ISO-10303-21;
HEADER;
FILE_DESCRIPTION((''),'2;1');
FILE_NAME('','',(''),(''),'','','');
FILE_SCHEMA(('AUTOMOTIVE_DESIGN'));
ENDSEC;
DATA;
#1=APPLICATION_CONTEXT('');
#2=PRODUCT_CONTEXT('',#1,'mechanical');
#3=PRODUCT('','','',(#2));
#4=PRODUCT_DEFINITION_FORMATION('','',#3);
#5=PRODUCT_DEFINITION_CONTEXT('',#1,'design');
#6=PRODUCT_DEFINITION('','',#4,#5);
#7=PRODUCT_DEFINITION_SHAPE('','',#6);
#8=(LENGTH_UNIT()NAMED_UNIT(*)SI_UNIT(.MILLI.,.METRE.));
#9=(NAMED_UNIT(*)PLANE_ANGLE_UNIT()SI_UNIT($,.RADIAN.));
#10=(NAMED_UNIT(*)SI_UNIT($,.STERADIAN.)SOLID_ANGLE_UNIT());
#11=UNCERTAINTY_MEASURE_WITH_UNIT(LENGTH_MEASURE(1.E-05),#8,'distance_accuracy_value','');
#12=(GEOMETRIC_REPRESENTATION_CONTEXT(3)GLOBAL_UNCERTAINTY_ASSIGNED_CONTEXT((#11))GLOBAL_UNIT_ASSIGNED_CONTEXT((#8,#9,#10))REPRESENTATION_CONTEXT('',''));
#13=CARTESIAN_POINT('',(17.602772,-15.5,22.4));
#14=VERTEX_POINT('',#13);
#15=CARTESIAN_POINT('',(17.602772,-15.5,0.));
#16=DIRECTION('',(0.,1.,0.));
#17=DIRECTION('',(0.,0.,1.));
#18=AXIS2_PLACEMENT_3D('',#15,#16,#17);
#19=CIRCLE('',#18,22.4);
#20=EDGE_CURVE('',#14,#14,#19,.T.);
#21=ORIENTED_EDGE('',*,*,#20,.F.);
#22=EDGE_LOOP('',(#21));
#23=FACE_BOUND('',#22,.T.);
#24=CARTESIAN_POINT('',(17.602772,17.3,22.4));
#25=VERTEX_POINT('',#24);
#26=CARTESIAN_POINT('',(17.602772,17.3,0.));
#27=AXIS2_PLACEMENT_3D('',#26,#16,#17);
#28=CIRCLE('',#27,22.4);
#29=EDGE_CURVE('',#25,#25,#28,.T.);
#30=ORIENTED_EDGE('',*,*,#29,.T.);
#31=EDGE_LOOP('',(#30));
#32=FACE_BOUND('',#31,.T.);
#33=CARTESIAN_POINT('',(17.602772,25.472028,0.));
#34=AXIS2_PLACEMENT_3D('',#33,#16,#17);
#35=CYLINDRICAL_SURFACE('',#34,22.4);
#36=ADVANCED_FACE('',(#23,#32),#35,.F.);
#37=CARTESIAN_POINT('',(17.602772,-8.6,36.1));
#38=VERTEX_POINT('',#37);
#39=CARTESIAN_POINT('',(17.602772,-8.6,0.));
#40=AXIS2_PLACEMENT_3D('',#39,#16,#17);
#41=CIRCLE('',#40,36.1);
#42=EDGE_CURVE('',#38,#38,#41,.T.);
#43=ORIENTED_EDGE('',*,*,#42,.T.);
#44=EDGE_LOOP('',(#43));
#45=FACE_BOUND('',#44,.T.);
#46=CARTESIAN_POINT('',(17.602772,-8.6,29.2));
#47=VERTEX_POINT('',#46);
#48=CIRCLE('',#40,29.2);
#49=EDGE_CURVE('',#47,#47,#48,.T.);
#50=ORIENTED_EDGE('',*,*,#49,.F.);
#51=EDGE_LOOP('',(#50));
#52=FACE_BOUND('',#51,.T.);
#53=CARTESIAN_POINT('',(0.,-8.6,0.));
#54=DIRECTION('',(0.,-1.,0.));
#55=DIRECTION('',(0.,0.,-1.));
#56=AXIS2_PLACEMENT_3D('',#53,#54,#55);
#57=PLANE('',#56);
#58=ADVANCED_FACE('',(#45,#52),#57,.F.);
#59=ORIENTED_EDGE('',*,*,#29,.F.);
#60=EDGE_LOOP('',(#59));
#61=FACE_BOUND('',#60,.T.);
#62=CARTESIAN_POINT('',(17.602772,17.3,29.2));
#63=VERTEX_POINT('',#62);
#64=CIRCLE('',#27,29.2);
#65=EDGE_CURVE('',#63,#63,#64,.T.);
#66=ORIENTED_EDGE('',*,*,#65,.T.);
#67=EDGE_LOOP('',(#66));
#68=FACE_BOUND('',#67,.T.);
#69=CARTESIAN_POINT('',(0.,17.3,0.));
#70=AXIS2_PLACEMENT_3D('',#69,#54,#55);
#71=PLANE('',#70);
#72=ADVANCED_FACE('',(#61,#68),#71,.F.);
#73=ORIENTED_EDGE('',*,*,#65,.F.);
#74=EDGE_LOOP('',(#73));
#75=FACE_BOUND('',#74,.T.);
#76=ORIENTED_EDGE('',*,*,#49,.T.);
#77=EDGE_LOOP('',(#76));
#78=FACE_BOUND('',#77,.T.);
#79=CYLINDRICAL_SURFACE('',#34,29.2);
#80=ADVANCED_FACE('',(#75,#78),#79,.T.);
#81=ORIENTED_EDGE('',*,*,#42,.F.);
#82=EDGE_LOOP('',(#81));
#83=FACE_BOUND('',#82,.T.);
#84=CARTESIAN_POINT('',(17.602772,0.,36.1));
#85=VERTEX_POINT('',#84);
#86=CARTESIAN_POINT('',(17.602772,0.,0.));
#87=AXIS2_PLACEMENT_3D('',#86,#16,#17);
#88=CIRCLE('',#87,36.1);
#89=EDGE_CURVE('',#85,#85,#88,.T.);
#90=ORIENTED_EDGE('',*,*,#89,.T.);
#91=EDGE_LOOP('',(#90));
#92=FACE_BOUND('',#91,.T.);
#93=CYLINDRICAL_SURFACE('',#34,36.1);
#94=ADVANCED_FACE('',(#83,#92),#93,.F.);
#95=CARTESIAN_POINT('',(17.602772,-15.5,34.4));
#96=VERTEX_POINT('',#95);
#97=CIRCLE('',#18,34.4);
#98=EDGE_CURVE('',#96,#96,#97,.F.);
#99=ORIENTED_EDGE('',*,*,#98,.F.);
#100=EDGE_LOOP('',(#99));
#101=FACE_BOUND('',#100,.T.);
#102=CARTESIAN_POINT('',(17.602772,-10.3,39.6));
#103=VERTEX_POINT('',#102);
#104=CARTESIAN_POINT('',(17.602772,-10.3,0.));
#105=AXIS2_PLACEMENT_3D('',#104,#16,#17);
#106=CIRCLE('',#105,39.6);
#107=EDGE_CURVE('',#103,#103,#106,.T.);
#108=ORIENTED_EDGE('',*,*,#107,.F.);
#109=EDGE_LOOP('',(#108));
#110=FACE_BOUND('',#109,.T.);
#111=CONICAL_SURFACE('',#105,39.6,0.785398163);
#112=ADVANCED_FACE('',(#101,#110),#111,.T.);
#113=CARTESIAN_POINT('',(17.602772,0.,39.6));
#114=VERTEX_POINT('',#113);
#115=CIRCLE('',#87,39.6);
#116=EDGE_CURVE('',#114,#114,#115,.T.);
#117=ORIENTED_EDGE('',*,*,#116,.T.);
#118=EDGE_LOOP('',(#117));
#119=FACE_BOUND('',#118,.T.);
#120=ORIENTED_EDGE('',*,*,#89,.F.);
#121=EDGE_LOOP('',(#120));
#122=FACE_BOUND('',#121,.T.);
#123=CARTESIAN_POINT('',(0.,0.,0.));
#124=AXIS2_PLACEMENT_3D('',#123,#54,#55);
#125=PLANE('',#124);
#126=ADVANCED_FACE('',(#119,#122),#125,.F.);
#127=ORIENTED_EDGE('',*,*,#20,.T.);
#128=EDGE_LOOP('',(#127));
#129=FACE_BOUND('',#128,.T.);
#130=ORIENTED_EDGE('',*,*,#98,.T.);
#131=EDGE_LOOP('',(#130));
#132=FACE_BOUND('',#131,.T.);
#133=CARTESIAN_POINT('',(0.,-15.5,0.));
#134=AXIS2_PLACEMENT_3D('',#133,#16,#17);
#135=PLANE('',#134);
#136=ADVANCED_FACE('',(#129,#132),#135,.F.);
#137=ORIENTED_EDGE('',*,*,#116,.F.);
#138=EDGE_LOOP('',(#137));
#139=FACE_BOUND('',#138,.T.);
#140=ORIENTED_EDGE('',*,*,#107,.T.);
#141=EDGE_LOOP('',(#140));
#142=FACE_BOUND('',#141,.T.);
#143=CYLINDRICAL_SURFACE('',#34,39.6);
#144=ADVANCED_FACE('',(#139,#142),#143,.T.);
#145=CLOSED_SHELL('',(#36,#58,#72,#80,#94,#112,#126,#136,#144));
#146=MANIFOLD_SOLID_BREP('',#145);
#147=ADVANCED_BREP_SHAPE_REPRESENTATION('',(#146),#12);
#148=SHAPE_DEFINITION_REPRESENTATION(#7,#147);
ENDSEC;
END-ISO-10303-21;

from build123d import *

# Parameters (mm, degrees)
CHAMFER1_SIZE = 5.2


with BuildPart() as part:
    # Sketch1 → Revolve1 (revolve)
    with BuildSketch(Plane.XY):
        Polygon((-11.59722846, 17.3), (-4.79722846, 17.3), (-4.79722846, -15.5), (-21.99722846, -15.5), (-21.99722846, 0), (-18.49722846, 0), (-18.49722846, -8.6), (-11.59722846, -8.6), align=None)
    revolve(axis=Axis((17.60277154, 25.472027778, 0), (0, -1, 0)))

    # Chamfer1
    chamfer1_edges = [part.edges().sort_by_distance(p)[0] for p in [
        (57.20277154, -15.5, 0),
    ]]
    chamfer(chamfer1_edges, length=CHAMFER1_SIZE)


solid = part.part
